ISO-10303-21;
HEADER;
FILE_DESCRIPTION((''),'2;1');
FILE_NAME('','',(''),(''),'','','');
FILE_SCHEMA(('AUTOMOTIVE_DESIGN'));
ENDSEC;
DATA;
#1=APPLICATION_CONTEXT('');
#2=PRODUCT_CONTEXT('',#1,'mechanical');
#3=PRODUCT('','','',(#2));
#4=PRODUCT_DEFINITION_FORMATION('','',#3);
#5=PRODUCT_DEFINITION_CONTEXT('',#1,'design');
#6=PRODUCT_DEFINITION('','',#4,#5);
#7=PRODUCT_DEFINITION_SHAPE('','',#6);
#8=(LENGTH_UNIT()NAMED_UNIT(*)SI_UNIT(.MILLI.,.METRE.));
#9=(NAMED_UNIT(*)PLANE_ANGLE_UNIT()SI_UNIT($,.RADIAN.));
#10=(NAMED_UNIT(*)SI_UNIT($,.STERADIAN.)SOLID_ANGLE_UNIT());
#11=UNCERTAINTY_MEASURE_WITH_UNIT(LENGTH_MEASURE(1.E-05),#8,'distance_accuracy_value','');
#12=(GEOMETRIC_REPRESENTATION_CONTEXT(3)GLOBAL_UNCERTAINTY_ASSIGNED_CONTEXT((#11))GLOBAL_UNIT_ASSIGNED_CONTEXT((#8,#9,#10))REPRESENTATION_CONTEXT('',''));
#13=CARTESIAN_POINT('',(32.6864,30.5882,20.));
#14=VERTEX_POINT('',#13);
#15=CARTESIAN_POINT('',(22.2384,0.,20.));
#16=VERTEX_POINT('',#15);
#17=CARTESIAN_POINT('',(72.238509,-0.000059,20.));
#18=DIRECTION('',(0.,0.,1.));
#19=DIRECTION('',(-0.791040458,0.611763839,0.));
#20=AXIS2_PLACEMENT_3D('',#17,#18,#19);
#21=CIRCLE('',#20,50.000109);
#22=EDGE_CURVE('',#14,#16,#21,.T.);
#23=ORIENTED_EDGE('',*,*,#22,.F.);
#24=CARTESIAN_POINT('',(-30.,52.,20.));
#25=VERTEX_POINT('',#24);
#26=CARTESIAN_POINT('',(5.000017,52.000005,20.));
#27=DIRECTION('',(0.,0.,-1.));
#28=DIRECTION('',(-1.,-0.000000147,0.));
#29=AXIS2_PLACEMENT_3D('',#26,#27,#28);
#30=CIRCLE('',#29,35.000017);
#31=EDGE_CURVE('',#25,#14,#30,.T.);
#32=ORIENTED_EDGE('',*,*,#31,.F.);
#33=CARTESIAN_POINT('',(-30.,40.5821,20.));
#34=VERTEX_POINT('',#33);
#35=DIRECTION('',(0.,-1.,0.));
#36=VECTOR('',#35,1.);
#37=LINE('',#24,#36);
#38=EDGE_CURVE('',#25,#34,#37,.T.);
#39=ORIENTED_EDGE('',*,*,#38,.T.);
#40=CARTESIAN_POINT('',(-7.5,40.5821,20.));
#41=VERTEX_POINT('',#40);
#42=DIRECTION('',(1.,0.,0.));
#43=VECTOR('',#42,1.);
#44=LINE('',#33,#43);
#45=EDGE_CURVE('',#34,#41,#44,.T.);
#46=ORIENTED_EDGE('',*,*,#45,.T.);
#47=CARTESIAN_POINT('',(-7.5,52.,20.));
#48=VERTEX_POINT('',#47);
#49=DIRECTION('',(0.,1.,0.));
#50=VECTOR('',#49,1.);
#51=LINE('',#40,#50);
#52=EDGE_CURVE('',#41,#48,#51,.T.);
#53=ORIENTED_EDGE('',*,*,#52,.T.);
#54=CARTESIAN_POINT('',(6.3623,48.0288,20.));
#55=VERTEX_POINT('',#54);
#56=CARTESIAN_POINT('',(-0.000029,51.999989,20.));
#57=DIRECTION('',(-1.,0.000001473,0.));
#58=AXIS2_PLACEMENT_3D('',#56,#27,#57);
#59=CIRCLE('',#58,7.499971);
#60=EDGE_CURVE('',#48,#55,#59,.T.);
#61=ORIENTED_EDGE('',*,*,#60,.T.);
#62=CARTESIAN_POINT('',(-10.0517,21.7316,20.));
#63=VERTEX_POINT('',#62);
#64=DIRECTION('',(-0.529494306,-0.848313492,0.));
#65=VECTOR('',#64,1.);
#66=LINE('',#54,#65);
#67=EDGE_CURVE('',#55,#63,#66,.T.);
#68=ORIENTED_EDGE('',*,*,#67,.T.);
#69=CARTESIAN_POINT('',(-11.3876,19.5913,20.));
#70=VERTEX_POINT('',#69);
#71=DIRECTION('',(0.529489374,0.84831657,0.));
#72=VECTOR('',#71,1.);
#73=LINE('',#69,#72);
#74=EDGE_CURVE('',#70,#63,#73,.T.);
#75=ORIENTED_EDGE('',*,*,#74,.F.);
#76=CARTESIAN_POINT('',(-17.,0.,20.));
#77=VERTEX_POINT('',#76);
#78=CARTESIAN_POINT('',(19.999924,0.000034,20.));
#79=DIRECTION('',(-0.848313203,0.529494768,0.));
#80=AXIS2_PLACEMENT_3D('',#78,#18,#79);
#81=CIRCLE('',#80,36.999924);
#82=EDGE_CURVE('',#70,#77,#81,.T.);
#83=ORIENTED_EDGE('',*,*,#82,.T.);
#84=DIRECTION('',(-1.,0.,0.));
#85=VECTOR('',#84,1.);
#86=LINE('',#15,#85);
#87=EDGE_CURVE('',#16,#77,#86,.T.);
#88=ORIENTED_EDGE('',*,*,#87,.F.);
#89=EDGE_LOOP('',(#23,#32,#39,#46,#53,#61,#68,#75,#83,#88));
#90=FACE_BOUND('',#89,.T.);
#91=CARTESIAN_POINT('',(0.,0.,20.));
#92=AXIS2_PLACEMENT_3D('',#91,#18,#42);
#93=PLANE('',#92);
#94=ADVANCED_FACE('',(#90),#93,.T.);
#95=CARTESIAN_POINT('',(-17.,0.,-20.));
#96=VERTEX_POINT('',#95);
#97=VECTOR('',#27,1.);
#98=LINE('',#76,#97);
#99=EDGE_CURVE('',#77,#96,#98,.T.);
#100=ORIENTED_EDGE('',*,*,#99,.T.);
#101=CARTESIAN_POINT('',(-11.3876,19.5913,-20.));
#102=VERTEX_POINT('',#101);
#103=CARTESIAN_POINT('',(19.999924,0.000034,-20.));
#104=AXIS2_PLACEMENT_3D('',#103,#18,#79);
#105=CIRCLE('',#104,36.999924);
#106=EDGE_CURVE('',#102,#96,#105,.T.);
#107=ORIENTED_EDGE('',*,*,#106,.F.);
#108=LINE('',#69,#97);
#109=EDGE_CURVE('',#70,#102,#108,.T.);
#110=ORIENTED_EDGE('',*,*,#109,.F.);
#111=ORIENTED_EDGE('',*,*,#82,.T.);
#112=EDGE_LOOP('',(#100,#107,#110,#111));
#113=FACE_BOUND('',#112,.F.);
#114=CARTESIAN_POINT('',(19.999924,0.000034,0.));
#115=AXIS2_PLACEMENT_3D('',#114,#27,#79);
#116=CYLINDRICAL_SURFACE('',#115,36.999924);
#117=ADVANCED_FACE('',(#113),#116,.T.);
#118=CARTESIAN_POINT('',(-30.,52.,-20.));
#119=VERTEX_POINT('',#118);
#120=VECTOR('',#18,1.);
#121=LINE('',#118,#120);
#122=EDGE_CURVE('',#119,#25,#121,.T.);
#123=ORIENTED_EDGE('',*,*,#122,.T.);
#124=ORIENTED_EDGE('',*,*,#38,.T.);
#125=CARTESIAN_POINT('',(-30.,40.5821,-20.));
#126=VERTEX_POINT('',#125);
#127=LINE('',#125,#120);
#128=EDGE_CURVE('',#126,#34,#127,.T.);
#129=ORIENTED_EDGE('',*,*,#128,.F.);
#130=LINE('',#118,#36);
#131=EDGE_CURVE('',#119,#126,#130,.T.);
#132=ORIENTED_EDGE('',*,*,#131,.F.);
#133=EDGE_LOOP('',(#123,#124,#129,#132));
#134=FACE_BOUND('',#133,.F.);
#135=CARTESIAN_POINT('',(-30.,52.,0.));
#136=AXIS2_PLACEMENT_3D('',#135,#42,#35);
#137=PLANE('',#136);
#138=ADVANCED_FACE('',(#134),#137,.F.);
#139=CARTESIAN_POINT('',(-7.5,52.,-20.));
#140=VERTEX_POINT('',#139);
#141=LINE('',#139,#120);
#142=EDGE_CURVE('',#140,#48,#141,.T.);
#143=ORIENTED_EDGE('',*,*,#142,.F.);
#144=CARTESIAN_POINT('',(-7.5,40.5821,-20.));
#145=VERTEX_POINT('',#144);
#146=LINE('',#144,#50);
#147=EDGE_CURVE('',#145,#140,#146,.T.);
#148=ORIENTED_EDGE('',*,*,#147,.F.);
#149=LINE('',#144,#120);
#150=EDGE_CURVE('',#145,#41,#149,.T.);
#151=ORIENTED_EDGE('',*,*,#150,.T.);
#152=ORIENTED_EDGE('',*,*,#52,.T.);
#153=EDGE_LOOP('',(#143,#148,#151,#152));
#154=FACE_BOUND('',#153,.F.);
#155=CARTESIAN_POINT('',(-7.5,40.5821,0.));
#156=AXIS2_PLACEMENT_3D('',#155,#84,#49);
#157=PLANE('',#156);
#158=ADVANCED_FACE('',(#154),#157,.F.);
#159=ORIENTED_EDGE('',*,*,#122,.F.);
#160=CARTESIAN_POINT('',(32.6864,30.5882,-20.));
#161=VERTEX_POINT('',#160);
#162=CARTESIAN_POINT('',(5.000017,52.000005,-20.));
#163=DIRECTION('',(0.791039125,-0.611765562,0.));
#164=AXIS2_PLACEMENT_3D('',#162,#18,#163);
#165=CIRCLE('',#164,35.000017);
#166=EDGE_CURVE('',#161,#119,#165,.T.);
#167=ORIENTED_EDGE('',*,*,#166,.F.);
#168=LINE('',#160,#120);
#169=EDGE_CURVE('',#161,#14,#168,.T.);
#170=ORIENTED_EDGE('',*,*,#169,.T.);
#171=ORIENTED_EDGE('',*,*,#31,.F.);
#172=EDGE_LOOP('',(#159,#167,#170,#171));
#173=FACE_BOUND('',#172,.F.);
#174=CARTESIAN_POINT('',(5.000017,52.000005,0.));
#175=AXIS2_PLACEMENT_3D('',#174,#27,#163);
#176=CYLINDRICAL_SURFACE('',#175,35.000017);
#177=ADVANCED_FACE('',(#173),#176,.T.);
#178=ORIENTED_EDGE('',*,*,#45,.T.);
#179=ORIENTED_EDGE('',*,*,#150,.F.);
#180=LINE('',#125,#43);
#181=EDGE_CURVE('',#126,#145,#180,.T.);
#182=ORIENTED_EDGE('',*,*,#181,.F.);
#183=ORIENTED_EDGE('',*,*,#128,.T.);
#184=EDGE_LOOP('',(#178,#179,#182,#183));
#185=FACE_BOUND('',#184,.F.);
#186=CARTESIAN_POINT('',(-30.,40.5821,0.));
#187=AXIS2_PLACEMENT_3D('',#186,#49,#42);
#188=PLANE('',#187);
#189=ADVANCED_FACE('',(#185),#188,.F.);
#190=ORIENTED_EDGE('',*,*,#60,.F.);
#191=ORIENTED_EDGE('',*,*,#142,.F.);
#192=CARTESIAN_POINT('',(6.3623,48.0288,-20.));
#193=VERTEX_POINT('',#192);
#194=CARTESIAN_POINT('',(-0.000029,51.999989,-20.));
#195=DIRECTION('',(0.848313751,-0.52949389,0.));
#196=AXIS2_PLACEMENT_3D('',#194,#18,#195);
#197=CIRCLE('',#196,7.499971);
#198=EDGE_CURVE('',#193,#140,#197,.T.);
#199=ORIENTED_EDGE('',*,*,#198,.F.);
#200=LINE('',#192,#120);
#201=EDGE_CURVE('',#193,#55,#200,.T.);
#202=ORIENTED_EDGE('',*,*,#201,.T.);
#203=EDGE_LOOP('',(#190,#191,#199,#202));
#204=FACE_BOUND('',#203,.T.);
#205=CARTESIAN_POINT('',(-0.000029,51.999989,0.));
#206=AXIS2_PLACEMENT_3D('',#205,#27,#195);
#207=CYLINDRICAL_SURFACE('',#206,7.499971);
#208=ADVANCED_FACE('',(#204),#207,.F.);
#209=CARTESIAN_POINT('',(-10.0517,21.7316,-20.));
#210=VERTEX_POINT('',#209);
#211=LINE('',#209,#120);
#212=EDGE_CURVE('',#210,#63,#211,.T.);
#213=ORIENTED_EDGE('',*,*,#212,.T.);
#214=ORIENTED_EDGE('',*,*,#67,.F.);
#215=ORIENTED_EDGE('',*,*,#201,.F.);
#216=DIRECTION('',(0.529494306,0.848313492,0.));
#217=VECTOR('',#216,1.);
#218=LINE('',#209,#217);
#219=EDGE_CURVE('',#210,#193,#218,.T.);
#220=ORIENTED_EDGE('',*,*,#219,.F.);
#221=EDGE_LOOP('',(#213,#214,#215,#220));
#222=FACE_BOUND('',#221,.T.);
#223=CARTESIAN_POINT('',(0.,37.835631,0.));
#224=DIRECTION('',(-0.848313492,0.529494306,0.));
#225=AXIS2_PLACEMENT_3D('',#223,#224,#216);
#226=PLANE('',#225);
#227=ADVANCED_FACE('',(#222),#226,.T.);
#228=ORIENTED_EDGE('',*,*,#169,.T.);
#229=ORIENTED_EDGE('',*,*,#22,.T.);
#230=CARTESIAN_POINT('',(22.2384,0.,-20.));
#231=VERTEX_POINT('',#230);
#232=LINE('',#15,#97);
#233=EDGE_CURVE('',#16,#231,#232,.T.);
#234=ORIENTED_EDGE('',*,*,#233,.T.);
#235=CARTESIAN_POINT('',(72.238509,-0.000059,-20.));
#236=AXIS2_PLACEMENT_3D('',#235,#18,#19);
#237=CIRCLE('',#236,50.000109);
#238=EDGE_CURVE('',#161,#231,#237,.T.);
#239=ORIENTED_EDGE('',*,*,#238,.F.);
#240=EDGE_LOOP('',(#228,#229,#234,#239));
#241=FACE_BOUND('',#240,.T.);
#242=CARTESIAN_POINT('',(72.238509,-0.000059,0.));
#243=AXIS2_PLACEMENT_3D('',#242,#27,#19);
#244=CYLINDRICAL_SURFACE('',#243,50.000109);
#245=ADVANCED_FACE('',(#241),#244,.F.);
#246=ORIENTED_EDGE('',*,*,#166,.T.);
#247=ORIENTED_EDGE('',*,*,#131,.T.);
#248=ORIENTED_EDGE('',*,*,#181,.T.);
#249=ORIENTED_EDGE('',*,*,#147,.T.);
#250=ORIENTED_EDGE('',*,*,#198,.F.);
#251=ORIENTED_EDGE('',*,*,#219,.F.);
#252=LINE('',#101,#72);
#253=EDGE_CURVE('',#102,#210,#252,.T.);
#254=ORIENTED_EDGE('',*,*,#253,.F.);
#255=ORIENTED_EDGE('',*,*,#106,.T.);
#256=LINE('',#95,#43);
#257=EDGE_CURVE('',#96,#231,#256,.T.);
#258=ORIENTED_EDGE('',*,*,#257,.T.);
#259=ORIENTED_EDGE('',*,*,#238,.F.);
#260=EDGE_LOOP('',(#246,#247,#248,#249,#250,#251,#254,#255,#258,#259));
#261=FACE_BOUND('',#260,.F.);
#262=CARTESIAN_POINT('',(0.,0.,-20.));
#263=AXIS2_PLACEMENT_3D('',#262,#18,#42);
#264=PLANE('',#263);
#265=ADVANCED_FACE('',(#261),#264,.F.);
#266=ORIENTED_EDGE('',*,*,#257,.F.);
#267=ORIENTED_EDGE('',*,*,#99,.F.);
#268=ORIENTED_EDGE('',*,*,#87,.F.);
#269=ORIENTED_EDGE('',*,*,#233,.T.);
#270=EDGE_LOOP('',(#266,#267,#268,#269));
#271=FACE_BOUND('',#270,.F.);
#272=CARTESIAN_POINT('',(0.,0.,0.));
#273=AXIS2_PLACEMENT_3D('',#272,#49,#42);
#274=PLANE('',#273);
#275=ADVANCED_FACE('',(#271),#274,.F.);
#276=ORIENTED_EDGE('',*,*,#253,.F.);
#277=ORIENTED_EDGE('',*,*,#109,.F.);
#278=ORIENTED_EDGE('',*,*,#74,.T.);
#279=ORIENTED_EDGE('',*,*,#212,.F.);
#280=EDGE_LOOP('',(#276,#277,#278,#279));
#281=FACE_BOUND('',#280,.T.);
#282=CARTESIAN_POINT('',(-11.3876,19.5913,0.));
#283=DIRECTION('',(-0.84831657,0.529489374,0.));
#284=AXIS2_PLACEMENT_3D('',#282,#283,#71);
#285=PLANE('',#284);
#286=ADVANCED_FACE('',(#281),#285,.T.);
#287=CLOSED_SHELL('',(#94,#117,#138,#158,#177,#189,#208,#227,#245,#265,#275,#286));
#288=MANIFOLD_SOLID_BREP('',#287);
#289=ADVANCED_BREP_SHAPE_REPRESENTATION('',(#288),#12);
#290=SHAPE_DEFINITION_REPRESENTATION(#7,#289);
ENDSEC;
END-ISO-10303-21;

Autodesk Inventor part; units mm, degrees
ref_plane "YZ Plane" through (0, 0, 0) normal (1, 0, 0) x (0, 1, 0)
ref_plane "XZ Plane" through (0, 0, 0) normal (0, 1, 0) x (-1, 0, 0)
ref_plane "XY Plane" through (0, 0, 0) normal (0, 0, 1) x (1, 0, 0)
sketch "Boceto1" plane through (0, 0, 0) normal (0, 0, 1) x (1, 0, 0)
  arc A0 (32.6864, 30.5882) -> (-30, 52) centre (5, 52) ccw
  line L0 (0, -19.2869) -> (0, 115.7212) projected
  line L1 (-80.1926, 0) -> (97.6435, 0) projected
  line L2 (0, 52) -> (-54.7874, 52) construction
  arc A1 (32.6864, 30.5882) -> (22.2384, 0) centre (72.2384, 0) ccw
  arc A2 (6.3623, 48.0288) -> (-7.5, 52) centre (0, 52) ccw
  arc A3 (-11.3876, 19.5913) -> (-17, 0) centre (20, 0) ccw
  line L3 (-10.0517, 21.7316) -> (6.3623, 48.0288)
  line L4 (-17, 0) -> (22.2384, 0)
  line L5 (-30, 52) -> (-30, 40.5821)
  line L6 (-30, 40.5821) -> (-7.5, 40.5821)
  line L7 (-7.5, 40.5821) -> (-7.5, 52)
  line L8 (-11.3876, 19.5913) -> (-10.0517, 21.7316)
  point P0 (0, 0)
  dimension "d0" = 70
  dimension "d1" = 52
  dimension "d2" = 5
  dimension "d3" = 52
  dimension "d4" = 100
  dimension "d5" = 15
  dimension "d7" = 17
  dimension "d8" = 10.0517
  dimension "d9" = 54.7874
  dimension "d10" = 40.5821
  dimension "d11" = 52
  dimension "d14" = 37
  dimension "d15" = 10
  dimension "d16" = 52
extrude "Extrusión2" add sketch "Boceto1" along normal mid plane 40 contours A1 L1 L0 L3 A2 A0 | L0 A2 L7 L6 L5 A0 | L1 A3 L8 L3 L0
properties part number "TAREA1" material "Acero, carbono AISI 1045"
